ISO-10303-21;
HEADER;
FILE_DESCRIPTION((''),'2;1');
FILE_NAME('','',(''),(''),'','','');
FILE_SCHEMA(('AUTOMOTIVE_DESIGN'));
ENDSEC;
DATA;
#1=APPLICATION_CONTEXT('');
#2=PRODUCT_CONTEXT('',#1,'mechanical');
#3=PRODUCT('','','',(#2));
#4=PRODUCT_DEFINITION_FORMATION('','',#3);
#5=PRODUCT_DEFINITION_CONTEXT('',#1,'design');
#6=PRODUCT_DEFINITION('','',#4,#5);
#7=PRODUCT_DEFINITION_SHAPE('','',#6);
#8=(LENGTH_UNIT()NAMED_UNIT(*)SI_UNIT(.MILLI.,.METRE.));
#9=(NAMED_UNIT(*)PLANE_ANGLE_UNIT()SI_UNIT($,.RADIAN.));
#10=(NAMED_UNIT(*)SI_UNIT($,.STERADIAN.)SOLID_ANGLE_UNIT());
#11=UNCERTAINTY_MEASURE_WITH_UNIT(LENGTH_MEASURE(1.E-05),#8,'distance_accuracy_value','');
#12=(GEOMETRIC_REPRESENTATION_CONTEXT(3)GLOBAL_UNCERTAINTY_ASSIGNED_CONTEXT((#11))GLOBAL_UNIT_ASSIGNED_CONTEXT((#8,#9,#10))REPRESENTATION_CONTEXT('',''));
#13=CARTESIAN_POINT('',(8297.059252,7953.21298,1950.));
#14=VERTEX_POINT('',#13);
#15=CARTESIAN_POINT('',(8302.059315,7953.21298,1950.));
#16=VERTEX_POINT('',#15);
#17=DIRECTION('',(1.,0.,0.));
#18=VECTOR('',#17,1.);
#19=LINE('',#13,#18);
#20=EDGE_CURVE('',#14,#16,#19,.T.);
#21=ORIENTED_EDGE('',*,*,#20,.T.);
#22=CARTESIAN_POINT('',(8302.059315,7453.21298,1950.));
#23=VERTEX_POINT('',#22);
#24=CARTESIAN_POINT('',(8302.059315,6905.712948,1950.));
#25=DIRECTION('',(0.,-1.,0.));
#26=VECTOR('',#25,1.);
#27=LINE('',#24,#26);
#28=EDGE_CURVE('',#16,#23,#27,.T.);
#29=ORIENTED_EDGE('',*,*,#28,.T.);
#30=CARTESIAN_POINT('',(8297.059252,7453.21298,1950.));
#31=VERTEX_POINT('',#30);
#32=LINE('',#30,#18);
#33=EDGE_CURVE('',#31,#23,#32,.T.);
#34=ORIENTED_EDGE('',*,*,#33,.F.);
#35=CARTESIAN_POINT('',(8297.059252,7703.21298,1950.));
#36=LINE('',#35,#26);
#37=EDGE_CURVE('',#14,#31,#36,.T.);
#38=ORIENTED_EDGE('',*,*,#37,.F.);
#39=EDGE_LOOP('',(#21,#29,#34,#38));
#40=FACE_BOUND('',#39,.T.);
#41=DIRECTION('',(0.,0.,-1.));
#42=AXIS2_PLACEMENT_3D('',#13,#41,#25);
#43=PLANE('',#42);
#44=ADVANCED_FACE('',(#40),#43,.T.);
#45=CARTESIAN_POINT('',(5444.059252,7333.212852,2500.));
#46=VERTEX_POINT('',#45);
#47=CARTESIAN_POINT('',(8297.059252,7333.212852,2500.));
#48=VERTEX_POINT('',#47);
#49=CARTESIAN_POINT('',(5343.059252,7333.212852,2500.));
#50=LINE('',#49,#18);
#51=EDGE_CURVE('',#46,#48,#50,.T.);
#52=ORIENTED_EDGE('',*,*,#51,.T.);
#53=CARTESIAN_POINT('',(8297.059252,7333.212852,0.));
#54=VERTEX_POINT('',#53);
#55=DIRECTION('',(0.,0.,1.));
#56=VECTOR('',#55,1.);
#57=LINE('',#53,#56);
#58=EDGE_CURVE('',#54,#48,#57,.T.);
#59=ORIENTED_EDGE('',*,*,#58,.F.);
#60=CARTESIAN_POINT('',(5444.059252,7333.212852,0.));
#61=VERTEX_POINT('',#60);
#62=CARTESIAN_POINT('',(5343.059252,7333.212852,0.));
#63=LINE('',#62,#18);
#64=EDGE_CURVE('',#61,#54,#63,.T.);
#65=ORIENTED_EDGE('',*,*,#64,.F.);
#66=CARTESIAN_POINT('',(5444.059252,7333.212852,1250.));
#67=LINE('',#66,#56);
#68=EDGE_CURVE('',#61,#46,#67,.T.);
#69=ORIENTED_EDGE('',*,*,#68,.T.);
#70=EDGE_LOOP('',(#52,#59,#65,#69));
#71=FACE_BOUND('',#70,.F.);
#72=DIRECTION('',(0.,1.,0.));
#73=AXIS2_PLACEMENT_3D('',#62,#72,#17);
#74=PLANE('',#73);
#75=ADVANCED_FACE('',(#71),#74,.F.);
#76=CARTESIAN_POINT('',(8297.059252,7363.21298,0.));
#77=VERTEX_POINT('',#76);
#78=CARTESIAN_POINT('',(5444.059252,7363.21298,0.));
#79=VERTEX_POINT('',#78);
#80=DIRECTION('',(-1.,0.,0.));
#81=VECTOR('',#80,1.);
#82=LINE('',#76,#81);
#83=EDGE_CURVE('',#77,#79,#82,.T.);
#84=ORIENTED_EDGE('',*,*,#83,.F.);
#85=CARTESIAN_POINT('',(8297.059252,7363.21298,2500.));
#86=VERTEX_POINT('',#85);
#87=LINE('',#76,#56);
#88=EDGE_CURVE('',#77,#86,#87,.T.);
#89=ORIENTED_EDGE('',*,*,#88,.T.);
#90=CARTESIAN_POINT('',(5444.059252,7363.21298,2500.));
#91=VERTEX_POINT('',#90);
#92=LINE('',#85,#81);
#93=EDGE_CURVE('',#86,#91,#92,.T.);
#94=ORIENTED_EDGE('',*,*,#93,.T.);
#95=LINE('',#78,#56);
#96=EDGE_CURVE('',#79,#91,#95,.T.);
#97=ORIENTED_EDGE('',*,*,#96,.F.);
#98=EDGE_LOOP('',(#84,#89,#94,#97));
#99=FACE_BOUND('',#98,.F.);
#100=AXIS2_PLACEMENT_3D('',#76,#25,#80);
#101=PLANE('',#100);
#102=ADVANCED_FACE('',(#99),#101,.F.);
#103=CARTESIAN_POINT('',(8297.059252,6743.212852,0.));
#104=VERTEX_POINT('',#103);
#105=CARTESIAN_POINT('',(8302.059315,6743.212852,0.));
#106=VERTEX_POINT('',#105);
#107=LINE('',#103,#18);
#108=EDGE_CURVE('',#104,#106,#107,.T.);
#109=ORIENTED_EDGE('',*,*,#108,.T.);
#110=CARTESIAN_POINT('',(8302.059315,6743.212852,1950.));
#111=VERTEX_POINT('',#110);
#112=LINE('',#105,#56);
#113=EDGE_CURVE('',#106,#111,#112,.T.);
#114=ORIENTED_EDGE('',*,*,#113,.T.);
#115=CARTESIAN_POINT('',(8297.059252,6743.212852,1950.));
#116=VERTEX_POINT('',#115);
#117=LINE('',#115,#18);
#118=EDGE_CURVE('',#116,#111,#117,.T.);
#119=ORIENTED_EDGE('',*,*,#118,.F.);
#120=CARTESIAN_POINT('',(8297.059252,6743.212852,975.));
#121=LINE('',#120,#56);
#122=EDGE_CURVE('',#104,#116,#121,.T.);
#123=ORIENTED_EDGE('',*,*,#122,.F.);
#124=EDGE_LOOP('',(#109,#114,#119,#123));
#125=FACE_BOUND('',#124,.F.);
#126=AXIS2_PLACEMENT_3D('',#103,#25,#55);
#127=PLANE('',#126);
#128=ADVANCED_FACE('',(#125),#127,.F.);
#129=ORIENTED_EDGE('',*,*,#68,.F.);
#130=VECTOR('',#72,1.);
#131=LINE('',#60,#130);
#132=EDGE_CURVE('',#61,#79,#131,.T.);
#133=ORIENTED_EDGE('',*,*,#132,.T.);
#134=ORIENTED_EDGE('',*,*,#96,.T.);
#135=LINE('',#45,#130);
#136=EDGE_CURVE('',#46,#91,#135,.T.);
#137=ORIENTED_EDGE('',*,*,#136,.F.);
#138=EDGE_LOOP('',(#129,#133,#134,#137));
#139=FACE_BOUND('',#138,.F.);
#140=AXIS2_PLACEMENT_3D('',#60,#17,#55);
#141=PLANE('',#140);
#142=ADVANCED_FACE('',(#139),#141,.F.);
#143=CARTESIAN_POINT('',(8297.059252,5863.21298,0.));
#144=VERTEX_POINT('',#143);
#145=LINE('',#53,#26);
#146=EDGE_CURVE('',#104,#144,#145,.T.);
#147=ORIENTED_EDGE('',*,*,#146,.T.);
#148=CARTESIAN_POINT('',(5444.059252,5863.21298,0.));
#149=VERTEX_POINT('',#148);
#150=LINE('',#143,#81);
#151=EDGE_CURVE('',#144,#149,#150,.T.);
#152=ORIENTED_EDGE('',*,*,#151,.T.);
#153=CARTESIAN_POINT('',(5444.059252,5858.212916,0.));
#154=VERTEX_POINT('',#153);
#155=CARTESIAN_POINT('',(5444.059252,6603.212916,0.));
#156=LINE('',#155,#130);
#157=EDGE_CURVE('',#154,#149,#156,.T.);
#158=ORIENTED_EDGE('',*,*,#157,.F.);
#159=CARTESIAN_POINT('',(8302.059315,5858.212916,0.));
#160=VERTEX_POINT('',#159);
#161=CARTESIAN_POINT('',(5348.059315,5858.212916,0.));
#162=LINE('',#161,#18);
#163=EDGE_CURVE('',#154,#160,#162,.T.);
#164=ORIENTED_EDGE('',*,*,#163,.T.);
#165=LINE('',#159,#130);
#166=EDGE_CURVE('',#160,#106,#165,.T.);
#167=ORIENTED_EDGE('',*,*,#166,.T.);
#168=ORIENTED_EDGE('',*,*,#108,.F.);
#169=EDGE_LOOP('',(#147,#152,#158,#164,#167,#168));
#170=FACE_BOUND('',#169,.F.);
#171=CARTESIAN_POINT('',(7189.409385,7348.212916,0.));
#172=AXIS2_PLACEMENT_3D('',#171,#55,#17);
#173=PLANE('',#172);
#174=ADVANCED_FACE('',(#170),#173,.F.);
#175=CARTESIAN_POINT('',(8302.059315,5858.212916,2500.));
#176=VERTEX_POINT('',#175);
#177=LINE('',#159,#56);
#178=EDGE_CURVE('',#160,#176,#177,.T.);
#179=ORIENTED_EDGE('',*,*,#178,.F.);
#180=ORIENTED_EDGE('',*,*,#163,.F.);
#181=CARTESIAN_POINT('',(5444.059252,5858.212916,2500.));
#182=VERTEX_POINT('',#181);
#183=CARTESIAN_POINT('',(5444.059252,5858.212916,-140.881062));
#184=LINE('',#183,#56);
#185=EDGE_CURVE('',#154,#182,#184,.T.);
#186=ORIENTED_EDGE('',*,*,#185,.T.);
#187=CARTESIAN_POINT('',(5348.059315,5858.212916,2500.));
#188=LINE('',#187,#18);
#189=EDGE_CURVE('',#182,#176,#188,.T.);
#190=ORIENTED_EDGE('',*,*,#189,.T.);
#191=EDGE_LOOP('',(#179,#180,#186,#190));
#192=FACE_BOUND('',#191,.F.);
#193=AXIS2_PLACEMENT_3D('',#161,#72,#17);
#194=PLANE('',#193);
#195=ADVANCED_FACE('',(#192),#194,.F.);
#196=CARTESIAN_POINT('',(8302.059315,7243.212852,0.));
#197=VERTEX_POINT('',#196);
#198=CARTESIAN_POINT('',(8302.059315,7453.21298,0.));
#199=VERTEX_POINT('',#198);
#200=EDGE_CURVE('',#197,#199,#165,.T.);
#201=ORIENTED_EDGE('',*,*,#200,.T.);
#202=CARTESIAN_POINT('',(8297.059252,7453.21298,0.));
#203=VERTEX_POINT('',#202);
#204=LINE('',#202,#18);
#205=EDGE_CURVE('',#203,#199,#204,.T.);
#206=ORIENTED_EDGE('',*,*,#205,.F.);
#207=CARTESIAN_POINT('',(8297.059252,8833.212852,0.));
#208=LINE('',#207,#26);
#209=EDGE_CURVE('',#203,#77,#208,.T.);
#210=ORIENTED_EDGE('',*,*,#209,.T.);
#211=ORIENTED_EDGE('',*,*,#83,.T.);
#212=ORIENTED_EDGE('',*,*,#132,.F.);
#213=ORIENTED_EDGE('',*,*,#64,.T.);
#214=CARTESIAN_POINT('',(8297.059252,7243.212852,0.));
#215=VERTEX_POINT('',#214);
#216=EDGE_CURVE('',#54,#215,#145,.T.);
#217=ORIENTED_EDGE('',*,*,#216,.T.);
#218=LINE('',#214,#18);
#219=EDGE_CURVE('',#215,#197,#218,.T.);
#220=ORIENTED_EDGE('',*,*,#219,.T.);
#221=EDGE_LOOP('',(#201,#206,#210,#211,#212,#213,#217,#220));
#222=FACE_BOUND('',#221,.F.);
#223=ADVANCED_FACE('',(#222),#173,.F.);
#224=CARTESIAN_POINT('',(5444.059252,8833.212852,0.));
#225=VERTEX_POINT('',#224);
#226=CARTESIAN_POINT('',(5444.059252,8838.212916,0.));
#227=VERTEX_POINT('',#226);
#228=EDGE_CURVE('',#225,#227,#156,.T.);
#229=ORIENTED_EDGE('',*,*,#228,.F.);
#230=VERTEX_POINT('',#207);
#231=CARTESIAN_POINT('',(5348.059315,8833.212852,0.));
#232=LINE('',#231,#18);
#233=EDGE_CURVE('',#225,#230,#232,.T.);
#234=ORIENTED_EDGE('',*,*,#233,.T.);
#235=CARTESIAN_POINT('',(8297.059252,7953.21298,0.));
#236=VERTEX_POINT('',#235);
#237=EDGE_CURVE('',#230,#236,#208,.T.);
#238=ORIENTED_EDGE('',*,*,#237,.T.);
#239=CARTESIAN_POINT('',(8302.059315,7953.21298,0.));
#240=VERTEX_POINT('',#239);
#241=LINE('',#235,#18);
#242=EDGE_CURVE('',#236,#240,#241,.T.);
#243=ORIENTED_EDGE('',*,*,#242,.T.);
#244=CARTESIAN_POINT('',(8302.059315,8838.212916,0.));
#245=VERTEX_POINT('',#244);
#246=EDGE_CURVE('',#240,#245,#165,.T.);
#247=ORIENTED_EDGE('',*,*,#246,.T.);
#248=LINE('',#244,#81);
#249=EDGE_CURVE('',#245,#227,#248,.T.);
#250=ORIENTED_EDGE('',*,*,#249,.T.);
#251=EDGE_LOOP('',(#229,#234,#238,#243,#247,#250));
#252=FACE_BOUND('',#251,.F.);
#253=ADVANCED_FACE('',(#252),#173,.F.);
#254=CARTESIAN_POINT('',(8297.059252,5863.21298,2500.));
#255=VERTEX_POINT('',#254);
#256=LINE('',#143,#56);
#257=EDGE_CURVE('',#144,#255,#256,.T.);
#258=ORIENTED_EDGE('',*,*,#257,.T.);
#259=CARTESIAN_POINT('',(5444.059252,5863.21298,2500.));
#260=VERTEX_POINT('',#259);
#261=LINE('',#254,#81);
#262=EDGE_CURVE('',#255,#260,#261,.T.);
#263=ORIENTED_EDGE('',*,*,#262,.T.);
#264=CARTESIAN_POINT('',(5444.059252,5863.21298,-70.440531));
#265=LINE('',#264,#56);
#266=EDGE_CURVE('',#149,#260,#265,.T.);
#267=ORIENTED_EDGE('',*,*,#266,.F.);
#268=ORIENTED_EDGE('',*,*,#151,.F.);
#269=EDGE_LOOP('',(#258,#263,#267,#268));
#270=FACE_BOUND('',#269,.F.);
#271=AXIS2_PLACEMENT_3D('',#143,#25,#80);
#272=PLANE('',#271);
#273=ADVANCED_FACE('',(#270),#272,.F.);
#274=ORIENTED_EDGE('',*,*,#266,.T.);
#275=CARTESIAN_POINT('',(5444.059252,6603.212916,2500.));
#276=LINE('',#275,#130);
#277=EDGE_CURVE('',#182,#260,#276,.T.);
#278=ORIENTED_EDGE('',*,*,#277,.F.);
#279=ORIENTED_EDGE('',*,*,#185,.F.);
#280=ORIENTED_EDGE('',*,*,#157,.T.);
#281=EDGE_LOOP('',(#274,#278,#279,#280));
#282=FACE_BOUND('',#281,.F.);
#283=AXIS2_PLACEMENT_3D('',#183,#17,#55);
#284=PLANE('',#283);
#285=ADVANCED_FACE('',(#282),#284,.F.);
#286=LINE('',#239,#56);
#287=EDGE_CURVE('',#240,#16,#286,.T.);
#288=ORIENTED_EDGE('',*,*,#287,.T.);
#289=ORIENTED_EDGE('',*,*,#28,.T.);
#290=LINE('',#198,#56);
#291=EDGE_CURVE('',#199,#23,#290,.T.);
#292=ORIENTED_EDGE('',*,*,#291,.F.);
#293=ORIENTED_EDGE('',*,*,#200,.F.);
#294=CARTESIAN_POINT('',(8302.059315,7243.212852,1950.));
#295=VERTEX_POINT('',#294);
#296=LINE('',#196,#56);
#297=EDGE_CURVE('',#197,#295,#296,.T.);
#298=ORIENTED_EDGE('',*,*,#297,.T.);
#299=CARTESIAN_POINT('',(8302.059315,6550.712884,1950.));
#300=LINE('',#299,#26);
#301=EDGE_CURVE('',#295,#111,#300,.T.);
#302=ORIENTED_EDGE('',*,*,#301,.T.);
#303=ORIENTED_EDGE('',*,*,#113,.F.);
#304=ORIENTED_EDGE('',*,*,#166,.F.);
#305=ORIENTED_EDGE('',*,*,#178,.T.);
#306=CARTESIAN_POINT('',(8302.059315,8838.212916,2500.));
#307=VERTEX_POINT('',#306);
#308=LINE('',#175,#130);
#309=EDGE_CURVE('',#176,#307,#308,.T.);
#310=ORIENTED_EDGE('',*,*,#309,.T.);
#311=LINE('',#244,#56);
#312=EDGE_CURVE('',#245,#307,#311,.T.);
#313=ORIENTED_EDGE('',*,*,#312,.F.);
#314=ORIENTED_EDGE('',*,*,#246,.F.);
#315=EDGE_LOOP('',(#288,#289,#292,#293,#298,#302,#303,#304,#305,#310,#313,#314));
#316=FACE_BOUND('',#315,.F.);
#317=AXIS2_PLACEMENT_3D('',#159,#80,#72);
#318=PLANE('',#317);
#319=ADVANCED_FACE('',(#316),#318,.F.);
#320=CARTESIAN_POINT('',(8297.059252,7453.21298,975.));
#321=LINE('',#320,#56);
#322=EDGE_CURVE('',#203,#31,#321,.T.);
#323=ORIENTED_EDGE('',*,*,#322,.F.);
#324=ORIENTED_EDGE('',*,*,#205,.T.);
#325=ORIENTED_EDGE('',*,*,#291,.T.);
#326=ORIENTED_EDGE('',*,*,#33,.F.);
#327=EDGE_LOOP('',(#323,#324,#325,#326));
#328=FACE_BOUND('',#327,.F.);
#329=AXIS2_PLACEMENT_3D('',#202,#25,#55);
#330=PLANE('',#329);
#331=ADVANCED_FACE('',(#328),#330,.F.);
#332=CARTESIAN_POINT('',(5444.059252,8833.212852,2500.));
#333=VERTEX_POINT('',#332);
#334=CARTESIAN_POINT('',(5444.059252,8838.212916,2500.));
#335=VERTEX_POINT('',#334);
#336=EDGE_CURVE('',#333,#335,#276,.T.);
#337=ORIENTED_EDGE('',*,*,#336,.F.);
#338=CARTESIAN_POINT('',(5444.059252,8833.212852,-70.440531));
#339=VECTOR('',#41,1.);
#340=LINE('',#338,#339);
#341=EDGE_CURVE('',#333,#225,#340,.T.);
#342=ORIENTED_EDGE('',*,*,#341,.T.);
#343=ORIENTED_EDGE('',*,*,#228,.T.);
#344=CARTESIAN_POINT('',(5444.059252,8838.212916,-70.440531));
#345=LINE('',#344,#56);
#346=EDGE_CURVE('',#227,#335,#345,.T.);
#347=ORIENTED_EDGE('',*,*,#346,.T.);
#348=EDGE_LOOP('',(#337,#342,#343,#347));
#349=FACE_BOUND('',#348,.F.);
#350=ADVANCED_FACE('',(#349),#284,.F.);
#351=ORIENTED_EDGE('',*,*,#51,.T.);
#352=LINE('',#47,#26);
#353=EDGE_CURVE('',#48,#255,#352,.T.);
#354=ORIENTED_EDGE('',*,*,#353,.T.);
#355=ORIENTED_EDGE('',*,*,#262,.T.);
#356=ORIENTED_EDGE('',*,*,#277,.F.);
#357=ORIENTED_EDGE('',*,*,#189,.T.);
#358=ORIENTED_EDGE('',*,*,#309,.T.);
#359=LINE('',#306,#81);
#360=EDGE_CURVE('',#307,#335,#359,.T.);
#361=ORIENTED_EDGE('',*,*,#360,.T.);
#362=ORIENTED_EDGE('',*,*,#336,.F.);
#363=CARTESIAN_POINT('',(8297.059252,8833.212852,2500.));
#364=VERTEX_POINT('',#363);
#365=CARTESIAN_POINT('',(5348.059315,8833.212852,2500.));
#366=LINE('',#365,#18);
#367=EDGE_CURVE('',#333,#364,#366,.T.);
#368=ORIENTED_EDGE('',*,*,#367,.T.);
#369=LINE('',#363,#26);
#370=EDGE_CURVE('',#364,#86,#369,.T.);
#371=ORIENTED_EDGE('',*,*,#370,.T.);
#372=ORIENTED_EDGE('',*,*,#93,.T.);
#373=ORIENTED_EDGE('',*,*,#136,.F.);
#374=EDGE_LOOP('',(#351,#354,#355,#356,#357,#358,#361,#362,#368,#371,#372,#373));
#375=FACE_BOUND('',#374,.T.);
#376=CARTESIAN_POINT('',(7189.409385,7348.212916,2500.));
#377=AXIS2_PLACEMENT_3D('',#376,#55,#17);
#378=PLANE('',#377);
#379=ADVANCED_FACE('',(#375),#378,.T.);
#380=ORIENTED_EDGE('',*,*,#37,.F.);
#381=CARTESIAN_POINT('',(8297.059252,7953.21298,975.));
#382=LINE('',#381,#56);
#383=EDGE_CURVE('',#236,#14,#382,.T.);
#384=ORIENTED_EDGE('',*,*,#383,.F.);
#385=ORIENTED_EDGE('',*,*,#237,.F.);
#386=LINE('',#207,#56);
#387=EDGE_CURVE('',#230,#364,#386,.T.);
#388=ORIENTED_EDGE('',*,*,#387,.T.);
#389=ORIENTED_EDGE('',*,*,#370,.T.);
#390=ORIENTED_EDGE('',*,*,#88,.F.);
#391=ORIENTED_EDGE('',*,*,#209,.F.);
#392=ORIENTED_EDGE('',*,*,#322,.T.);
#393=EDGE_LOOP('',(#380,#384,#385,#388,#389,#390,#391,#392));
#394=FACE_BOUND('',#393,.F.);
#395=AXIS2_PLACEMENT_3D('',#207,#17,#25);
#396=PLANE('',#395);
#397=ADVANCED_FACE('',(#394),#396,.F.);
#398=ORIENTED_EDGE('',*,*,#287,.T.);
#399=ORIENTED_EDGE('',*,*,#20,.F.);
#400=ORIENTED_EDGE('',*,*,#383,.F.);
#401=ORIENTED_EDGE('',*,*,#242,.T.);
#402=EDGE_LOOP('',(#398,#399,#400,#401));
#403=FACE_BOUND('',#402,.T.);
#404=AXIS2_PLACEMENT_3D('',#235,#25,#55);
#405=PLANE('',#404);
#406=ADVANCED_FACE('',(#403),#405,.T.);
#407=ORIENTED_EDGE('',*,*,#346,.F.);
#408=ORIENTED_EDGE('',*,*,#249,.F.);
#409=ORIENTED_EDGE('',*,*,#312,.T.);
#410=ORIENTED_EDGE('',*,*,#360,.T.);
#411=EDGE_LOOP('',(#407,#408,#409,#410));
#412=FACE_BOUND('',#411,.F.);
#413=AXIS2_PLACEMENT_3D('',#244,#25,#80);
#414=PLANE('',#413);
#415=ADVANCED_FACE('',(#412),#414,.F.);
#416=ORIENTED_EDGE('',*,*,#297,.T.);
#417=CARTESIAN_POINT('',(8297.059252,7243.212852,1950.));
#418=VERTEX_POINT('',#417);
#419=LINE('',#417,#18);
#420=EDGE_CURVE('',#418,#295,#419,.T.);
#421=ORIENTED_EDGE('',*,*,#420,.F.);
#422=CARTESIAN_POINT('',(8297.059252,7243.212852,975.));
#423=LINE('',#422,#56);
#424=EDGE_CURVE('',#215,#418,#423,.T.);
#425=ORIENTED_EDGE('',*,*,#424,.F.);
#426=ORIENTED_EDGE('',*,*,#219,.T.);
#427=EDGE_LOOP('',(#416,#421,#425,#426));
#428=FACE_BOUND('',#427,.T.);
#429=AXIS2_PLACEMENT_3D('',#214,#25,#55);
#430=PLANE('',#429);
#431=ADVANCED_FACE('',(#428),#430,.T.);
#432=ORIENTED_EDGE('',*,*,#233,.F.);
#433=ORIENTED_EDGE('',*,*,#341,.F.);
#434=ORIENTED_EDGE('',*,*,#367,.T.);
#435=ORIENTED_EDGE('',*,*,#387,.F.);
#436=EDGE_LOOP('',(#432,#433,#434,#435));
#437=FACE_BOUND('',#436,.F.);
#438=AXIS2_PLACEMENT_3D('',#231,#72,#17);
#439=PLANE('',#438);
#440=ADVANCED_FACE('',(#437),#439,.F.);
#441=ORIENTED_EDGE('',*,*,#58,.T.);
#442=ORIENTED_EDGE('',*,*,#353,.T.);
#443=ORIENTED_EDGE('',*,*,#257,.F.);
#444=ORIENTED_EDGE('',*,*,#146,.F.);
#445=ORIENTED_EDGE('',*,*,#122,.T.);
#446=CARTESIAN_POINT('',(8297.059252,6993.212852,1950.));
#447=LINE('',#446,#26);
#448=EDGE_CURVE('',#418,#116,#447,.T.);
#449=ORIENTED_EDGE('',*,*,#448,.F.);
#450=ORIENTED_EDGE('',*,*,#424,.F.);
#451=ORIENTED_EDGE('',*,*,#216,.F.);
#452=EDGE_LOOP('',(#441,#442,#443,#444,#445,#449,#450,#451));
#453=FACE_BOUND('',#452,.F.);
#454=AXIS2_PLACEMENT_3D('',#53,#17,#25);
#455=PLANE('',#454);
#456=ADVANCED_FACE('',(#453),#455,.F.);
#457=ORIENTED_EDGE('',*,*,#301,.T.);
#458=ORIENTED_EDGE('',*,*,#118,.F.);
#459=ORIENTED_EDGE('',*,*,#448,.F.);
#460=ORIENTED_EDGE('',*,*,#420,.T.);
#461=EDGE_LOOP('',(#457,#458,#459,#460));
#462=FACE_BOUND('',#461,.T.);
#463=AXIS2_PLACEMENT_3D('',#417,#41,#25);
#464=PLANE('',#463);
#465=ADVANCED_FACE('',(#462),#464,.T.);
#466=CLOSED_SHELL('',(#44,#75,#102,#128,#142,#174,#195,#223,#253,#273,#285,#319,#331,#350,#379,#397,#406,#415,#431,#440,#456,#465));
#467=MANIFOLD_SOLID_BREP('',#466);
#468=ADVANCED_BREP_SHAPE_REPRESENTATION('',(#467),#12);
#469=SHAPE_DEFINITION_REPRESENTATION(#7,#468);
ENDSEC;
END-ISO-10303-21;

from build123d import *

# Parameters (mm, degrees)
F1_DEPTH = 2500
F2_W     = 500
F2_H     = 1950
F3_DEPTH = 300
F4_W     = 101
F4_H     = 2500
F5_DEPTH = 460
F7_DEPTH = 4630


with BuildPart() as f1:
    # F0 (on Top) → F1 (new body)
    with BuildSketch(Plane.XY):
        Polygon((5348.059315, 5858.212916), (8302.059315, 5858.212916), (8302.059315, 7338.212916), (8302.059315, 7358.212916), (8302.059315, 8838.212916), (5348.059315, 8838.212916), (5348.059315, 8833.212852), (8297.059252, 8833.212852), (8297.059252, 7363.21298), (5343.059252, 7363.21298), (5343.059252, 7333.212852), (8297.059252, 7333.212852), (8297.059252, 5863.21298), (5348.059315, 5863.21298), align=None)
    extrude(amount=F1_DEPTH)

    # F2 (on face) → F3 (cut)
    with BuildSketch(Plane(origin=(8297.059252, 0, 0), x_dir=(0, -1, 0), z_dir=(-1, 0, 0))):
        with Locations((-7703.21298, 975)):
            Rectangle(F2_W, F2_H)
        with Locations((-6993.212852, 975)):
            Rectangle(F2_W, F2_H)
    extrude(amount=-F3_DEPTH, mode=Mode.SUBTRACT)

    # F4 (on face) → F5 (cut)
    with BuildSketch(Plane.XZ.offset(-7333.212852)):
        with Locations((5393.559252, 1250)):
            Rectangle(F4_W, F4_H)
    extrude(amount=-F5_DEPTH, mode=Mode.SUBTRACT)

    # F6 (on face) → F7 (cut)
    with BuildSketch(Plane.XZ.offset(-5858.212916)):
        Polygon((5444.059252, 0), (5444.059252, 2500), (5444.059252, 2649.641752), (5038.322449, 2649.641752), (5038.322449, -210.067511), (5444.059252, -140.881062), align=None)
    extrude(amount=-F7_DEPTH, mode=Mode.SUBTRACT)


solid = f1.part
